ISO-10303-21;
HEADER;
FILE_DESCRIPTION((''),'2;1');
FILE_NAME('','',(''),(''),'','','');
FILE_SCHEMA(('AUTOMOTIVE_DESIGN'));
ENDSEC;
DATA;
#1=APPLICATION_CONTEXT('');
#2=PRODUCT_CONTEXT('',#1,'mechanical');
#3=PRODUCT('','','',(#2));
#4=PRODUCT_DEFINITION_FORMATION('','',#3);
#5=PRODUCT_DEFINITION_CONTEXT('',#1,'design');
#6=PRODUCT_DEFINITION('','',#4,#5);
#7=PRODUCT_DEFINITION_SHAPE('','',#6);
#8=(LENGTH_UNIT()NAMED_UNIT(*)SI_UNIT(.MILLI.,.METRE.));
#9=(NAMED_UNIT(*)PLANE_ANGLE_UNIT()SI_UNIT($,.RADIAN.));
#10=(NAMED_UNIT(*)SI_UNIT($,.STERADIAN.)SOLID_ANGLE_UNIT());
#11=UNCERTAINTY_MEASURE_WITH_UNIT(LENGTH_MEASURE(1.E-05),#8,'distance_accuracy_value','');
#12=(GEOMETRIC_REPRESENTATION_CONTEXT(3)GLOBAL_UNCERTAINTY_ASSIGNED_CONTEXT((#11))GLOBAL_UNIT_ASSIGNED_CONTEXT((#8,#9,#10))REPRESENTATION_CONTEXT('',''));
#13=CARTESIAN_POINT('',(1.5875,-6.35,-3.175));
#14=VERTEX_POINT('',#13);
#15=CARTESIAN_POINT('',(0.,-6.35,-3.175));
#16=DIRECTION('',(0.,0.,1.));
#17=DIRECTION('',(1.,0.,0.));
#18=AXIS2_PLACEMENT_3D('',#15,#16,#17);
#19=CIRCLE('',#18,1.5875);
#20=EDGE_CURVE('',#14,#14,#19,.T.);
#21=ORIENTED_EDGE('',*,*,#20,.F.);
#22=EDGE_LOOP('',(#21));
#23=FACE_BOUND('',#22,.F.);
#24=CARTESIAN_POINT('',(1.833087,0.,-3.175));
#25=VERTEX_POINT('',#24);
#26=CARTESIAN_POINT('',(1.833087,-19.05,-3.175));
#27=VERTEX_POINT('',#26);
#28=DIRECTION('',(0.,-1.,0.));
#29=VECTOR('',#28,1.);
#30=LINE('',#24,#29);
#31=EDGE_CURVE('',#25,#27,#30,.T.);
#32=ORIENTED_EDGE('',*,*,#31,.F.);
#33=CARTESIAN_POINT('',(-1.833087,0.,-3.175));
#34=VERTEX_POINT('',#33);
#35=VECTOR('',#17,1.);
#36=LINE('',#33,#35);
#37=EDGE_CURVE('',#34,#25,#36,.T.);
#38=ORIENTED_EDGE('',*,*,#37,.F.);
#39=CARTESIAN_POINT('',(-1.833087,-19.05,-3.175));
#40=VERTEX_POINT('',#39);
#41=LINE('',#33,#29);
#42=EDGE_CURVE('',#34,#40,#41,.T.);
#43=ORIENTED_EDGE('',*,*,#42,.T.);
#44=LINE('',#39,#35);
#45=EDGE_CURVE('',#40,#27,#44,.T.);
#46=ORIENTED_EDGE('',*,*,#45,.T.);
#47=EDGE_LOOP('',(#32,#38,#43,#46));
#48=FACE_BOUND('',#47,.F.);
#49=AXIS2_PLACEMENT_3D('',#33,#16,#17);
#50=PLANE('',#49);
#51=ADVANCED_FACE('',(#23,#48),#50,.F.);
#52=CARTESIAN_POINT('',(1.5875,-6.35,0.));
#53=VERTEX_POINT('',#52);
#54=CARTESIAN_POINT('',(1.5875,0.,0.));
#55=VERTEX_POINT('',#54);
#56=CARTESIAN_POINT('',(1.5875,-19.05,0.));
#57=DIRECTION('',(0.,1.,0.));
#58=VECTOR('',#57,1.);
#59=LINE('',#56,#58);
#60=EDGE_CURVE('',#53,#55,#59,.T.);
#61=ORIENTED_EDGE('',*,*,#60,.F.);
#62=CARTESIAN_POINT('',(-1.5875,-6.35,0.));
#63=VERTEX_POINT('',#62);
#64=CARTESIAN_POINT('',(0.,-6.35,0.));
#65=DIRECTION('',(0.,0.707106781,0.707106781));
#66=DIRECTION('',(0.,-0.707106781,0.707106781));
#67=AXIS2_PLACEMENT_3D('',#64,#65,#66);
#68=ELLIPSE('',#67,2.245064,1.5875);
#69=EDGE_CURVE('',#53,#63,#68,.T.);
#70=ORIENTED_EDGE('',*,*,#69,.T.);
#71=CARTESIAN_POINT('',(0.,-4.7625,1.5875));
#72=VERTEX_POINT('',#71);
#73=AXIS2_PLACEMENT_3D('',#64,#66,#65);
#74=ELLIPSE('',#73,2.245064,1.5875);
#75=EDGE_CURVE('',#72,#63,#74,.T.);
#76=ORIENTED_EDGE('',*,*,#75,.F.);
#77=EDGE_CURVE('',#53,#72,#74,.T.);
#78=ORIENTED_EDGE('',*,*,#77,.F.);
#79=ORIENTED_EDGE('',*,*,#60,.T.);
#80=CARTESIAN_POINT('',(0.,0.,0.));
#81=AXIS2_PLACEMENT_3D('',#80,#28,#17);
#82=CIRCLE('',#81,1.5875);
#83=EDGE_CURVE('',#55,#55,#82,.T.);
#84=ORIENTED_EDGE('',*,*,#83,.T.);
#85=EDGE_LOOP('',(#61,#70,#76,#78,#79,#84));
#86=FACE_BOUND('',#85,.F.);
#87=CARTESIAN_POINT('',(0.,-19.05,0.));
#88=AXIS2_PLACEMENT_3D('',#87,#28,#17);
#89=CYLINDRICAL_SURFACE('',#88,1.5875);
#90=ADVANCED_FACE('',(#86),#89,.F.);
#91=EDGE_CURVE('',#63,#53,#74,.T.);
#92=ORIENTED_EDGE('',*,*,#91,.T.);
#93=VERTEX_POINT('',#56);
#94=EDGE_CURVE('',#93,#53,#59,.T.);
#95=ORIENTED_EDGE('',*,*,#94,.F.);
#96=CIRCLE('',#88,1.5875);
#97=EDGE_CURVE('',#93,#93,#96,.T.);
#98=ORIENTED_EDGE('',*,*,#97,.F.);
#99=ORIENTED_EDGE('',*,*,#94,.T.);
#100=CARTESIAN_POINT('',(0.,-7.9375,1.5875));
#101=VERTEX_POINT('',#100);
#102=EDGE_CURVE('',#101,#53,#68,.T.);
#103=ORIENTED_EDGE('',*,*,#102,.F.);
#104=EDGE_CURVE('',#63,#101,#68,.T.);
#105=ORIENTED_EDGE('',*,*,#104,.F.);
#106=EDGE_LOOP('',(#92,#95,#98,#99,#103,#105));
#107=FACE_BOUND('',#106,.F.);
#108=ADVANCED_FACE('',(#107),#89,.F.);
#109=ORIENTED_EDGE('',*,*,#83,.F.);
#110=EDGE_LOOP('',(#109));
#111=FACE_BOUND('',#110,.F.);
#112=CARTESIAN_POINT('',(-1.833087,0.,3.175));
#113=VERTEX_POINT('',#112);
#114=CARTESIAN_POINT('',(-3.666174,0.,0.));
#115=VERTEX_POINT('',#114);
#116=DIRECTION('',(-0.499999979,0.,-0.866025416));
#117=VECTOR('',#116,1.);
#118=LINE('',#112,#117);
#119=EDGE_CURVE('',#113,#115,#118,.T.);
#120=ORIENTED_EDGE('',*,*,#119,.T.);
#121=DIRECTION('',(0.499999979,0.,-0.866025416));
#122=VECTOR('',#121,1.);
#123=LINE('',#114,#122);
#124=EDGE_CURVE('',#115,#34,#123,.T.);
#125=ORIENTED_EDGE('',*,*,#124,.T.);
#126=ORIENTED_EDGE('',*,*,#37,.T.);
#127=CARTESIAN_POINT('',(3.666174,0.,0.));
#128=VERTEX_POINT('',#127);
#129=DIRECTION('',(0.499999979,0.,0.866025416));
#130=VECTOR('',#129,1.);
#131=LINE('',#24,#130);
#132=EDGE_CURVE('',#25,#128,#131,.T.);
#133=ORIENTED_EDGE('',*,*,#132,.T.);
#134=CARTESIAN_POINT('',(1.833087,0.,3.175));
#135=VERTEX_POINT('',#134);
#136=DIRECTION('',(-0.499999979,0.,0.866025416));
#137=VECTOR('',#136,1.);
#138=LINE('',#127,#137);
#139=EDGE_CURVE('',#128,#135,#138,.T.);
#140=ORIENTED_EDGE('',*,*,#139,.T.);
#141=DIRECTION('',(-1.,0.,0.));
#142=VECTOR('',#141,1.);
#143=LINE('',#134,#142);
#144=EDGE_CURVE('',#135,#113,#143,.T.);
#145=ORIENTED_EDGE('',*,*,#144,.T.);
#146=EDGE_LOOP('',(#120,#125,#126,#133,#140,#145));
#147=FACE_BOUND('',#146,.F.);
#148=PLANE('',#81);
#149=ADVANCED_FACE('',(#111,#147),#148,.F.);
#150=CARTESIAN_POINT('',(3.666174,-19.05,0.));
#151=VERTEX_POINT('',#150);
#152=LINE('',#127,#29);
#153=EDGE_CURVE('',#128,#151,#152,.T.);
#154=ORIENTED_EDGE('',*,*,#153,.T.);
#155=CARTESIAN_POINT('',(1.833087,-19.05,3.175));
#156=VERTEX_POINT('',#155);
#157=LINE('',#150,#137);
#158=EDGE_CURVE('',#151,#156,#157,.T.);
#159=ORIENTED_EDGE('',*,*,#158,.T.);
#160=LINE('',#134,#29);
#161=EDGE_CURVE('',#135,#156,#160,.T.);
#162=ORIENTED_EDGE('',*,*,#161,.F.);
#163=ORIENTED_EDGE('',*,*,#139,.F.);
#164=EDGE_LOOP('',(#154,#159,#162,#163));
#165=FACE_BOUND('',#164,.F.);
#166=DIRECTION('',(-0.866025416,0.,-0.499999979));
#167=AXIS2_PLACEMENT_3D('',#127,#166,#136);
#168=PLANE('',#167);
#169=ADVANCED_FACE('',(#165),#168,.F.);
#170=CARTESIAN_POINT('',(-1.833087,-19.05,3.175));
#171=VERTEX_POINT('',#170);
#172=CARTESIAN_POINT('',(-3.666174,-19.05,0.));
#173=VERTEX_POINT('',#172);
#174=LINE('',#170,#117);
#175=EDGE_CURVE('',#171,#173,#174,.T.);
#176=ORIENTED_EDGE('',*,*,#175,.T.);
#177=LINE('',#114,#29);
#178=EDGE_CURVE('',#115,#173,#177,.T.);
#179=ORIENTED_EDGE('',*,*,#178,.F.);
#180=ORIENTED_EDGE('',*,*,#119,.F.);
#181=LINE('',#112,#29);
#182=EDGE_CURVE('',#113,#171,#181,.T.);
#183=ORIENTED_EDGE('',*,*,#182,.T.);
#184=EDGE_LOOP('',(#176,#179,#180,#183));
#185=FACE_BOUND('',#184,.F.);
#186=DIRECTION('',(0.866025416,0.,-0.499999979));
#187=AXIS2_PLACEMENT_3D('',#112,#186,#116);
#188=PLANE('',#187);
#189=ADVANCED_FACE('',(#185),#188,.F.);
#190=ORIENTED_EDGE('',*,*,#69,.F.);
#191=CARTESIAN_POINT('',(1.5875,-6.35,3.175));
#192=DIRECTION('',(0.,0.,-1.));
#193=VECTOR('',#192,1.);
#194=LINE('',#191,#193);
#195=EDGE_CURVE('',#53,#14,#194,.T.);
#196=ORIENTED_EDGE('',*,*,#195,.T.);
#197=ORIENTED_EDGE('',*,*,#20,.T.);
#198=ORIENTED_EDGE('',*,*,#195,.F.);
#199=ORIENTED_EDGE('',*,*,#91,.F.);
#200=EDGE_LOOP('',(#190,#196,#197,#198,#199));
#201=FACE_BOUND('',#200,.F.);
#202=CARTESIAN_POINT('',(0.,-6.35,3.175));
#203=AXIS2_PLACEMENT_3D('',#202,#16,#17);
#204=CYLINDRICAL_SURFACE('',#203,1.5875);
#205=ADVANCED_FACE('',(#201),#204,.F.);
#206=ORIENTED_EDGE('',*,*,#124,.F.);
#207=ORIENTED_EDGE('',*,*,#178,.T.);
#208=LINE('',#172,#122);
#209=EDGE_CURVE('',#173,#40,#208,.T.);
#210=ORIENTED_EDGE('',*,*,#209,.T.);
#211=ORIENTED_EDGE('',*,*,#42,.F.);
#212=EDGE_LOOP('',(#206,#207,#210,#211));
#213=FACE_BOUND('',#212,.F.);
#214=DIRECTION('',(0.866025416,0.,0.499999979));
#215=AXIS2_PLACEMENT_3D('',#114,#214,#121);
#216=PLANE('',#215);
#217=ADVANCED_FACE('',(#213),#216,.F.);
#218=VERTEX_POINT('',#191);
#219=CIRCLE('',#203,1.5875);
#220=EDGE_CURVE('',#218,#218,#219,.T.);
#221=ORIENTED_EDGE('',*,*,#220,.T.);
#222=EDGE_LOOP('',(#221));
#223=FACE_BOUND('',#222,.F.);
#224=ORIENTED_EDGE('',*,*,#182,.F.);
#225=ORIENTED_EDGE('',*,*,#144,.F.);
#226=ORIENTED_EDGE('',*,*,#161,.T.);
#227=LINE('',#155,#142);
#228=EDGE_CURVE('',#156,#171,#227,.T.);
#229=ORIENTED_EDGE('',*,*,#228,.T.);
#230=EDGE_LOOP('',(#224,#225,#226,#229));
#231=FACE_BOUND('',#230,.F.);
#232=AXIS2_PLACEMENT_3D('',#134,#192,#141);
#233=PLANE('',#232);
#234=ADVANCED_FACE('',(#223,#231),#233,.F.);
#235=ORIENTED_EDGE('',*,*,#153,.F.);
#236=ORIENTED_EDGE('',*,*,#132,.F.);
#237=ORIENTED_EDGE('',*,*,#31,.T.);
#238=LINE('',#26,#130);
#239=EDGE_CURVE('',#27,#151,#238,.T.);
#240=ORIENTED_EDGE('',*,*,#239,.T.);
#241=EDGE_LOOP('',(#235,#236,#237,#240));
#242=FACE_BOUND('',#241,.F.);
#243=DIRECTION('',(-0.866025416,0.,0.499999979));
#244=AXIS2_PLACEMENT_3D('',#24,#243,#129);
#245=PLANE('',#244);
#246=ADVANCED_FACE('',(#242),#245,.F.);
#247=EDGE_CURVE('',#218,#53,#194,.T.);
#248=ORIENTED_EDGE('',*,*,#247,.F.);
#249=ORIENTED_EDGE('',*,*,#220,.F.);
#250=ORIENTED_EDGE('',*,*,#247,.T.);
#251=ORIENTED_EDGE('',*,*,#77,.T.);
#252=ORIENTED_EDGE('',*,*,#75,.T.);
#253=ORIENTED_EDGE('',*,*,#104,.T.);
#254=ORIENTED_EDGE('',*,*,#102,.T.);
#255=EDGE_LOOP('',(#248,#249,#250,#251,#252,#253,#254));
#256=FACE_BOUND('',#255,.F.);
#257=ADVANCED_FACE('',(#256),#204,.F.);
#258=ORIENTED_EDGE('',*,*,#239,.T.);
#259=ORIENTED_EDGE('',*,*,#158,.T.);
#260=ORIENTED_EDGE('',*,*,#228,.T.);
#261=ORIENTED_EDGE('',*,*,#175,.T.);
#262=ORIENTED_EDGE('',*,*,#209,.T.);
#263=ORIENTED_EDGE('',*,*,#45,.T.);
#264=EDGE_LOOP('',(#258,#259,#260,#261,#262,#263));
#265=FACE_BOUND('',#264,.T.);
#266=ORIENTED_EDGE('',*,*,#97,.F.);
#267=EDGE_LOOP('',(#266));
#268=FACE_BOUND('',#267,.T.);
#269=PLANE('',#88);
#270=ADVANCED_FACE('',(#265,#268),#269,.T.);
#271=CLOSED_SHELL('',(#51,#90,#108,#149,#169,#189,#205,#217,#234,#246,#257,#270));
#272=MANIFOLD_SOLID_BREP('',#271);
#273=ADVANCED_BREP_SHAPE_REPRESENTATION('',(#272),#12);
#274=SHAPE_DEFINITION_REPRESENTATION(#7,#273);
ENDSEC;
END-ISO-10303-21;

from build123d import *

# Parameters (mm, degrees)
F1_DEPTH = 19.05
F2_R     = 1.5875
F3_DEPTH = 6.351
F4_R     = 1.5875
F5_DEPTH = 19.051


with BuildPart() as f1:
    # F0 (on Front) → F1 (new body)
    with BuildSketch(Plane.XZ):
        Polygon((1.833087, 3.175), (-1.833087, 3.175), (-3.666174, 0), (-1.833087, -3.175), (1.833087, -3.175), (3.666174, 0), align=None)
    extrude(amount=F1_DEPTH)

    # F2 (on face) → F3 (cut, through all)
    with BuildSketch(Plane.XY.offset(3.175)):
        with Locations((0, -6.35)):
            Circle(F2_R)
    extrude(amount=-F3_DEPTH, mode=Mode.SUBTRACT)

    # F4 (on face) → F5 (cut, through all)
    with BuildSketch(Plane.XZ.offset(19.05)):
        Circle(F4_R)
    extrude(amount=-F5_DEPTH, mode=Mode.SUBTRACT)


solid = f1.part
